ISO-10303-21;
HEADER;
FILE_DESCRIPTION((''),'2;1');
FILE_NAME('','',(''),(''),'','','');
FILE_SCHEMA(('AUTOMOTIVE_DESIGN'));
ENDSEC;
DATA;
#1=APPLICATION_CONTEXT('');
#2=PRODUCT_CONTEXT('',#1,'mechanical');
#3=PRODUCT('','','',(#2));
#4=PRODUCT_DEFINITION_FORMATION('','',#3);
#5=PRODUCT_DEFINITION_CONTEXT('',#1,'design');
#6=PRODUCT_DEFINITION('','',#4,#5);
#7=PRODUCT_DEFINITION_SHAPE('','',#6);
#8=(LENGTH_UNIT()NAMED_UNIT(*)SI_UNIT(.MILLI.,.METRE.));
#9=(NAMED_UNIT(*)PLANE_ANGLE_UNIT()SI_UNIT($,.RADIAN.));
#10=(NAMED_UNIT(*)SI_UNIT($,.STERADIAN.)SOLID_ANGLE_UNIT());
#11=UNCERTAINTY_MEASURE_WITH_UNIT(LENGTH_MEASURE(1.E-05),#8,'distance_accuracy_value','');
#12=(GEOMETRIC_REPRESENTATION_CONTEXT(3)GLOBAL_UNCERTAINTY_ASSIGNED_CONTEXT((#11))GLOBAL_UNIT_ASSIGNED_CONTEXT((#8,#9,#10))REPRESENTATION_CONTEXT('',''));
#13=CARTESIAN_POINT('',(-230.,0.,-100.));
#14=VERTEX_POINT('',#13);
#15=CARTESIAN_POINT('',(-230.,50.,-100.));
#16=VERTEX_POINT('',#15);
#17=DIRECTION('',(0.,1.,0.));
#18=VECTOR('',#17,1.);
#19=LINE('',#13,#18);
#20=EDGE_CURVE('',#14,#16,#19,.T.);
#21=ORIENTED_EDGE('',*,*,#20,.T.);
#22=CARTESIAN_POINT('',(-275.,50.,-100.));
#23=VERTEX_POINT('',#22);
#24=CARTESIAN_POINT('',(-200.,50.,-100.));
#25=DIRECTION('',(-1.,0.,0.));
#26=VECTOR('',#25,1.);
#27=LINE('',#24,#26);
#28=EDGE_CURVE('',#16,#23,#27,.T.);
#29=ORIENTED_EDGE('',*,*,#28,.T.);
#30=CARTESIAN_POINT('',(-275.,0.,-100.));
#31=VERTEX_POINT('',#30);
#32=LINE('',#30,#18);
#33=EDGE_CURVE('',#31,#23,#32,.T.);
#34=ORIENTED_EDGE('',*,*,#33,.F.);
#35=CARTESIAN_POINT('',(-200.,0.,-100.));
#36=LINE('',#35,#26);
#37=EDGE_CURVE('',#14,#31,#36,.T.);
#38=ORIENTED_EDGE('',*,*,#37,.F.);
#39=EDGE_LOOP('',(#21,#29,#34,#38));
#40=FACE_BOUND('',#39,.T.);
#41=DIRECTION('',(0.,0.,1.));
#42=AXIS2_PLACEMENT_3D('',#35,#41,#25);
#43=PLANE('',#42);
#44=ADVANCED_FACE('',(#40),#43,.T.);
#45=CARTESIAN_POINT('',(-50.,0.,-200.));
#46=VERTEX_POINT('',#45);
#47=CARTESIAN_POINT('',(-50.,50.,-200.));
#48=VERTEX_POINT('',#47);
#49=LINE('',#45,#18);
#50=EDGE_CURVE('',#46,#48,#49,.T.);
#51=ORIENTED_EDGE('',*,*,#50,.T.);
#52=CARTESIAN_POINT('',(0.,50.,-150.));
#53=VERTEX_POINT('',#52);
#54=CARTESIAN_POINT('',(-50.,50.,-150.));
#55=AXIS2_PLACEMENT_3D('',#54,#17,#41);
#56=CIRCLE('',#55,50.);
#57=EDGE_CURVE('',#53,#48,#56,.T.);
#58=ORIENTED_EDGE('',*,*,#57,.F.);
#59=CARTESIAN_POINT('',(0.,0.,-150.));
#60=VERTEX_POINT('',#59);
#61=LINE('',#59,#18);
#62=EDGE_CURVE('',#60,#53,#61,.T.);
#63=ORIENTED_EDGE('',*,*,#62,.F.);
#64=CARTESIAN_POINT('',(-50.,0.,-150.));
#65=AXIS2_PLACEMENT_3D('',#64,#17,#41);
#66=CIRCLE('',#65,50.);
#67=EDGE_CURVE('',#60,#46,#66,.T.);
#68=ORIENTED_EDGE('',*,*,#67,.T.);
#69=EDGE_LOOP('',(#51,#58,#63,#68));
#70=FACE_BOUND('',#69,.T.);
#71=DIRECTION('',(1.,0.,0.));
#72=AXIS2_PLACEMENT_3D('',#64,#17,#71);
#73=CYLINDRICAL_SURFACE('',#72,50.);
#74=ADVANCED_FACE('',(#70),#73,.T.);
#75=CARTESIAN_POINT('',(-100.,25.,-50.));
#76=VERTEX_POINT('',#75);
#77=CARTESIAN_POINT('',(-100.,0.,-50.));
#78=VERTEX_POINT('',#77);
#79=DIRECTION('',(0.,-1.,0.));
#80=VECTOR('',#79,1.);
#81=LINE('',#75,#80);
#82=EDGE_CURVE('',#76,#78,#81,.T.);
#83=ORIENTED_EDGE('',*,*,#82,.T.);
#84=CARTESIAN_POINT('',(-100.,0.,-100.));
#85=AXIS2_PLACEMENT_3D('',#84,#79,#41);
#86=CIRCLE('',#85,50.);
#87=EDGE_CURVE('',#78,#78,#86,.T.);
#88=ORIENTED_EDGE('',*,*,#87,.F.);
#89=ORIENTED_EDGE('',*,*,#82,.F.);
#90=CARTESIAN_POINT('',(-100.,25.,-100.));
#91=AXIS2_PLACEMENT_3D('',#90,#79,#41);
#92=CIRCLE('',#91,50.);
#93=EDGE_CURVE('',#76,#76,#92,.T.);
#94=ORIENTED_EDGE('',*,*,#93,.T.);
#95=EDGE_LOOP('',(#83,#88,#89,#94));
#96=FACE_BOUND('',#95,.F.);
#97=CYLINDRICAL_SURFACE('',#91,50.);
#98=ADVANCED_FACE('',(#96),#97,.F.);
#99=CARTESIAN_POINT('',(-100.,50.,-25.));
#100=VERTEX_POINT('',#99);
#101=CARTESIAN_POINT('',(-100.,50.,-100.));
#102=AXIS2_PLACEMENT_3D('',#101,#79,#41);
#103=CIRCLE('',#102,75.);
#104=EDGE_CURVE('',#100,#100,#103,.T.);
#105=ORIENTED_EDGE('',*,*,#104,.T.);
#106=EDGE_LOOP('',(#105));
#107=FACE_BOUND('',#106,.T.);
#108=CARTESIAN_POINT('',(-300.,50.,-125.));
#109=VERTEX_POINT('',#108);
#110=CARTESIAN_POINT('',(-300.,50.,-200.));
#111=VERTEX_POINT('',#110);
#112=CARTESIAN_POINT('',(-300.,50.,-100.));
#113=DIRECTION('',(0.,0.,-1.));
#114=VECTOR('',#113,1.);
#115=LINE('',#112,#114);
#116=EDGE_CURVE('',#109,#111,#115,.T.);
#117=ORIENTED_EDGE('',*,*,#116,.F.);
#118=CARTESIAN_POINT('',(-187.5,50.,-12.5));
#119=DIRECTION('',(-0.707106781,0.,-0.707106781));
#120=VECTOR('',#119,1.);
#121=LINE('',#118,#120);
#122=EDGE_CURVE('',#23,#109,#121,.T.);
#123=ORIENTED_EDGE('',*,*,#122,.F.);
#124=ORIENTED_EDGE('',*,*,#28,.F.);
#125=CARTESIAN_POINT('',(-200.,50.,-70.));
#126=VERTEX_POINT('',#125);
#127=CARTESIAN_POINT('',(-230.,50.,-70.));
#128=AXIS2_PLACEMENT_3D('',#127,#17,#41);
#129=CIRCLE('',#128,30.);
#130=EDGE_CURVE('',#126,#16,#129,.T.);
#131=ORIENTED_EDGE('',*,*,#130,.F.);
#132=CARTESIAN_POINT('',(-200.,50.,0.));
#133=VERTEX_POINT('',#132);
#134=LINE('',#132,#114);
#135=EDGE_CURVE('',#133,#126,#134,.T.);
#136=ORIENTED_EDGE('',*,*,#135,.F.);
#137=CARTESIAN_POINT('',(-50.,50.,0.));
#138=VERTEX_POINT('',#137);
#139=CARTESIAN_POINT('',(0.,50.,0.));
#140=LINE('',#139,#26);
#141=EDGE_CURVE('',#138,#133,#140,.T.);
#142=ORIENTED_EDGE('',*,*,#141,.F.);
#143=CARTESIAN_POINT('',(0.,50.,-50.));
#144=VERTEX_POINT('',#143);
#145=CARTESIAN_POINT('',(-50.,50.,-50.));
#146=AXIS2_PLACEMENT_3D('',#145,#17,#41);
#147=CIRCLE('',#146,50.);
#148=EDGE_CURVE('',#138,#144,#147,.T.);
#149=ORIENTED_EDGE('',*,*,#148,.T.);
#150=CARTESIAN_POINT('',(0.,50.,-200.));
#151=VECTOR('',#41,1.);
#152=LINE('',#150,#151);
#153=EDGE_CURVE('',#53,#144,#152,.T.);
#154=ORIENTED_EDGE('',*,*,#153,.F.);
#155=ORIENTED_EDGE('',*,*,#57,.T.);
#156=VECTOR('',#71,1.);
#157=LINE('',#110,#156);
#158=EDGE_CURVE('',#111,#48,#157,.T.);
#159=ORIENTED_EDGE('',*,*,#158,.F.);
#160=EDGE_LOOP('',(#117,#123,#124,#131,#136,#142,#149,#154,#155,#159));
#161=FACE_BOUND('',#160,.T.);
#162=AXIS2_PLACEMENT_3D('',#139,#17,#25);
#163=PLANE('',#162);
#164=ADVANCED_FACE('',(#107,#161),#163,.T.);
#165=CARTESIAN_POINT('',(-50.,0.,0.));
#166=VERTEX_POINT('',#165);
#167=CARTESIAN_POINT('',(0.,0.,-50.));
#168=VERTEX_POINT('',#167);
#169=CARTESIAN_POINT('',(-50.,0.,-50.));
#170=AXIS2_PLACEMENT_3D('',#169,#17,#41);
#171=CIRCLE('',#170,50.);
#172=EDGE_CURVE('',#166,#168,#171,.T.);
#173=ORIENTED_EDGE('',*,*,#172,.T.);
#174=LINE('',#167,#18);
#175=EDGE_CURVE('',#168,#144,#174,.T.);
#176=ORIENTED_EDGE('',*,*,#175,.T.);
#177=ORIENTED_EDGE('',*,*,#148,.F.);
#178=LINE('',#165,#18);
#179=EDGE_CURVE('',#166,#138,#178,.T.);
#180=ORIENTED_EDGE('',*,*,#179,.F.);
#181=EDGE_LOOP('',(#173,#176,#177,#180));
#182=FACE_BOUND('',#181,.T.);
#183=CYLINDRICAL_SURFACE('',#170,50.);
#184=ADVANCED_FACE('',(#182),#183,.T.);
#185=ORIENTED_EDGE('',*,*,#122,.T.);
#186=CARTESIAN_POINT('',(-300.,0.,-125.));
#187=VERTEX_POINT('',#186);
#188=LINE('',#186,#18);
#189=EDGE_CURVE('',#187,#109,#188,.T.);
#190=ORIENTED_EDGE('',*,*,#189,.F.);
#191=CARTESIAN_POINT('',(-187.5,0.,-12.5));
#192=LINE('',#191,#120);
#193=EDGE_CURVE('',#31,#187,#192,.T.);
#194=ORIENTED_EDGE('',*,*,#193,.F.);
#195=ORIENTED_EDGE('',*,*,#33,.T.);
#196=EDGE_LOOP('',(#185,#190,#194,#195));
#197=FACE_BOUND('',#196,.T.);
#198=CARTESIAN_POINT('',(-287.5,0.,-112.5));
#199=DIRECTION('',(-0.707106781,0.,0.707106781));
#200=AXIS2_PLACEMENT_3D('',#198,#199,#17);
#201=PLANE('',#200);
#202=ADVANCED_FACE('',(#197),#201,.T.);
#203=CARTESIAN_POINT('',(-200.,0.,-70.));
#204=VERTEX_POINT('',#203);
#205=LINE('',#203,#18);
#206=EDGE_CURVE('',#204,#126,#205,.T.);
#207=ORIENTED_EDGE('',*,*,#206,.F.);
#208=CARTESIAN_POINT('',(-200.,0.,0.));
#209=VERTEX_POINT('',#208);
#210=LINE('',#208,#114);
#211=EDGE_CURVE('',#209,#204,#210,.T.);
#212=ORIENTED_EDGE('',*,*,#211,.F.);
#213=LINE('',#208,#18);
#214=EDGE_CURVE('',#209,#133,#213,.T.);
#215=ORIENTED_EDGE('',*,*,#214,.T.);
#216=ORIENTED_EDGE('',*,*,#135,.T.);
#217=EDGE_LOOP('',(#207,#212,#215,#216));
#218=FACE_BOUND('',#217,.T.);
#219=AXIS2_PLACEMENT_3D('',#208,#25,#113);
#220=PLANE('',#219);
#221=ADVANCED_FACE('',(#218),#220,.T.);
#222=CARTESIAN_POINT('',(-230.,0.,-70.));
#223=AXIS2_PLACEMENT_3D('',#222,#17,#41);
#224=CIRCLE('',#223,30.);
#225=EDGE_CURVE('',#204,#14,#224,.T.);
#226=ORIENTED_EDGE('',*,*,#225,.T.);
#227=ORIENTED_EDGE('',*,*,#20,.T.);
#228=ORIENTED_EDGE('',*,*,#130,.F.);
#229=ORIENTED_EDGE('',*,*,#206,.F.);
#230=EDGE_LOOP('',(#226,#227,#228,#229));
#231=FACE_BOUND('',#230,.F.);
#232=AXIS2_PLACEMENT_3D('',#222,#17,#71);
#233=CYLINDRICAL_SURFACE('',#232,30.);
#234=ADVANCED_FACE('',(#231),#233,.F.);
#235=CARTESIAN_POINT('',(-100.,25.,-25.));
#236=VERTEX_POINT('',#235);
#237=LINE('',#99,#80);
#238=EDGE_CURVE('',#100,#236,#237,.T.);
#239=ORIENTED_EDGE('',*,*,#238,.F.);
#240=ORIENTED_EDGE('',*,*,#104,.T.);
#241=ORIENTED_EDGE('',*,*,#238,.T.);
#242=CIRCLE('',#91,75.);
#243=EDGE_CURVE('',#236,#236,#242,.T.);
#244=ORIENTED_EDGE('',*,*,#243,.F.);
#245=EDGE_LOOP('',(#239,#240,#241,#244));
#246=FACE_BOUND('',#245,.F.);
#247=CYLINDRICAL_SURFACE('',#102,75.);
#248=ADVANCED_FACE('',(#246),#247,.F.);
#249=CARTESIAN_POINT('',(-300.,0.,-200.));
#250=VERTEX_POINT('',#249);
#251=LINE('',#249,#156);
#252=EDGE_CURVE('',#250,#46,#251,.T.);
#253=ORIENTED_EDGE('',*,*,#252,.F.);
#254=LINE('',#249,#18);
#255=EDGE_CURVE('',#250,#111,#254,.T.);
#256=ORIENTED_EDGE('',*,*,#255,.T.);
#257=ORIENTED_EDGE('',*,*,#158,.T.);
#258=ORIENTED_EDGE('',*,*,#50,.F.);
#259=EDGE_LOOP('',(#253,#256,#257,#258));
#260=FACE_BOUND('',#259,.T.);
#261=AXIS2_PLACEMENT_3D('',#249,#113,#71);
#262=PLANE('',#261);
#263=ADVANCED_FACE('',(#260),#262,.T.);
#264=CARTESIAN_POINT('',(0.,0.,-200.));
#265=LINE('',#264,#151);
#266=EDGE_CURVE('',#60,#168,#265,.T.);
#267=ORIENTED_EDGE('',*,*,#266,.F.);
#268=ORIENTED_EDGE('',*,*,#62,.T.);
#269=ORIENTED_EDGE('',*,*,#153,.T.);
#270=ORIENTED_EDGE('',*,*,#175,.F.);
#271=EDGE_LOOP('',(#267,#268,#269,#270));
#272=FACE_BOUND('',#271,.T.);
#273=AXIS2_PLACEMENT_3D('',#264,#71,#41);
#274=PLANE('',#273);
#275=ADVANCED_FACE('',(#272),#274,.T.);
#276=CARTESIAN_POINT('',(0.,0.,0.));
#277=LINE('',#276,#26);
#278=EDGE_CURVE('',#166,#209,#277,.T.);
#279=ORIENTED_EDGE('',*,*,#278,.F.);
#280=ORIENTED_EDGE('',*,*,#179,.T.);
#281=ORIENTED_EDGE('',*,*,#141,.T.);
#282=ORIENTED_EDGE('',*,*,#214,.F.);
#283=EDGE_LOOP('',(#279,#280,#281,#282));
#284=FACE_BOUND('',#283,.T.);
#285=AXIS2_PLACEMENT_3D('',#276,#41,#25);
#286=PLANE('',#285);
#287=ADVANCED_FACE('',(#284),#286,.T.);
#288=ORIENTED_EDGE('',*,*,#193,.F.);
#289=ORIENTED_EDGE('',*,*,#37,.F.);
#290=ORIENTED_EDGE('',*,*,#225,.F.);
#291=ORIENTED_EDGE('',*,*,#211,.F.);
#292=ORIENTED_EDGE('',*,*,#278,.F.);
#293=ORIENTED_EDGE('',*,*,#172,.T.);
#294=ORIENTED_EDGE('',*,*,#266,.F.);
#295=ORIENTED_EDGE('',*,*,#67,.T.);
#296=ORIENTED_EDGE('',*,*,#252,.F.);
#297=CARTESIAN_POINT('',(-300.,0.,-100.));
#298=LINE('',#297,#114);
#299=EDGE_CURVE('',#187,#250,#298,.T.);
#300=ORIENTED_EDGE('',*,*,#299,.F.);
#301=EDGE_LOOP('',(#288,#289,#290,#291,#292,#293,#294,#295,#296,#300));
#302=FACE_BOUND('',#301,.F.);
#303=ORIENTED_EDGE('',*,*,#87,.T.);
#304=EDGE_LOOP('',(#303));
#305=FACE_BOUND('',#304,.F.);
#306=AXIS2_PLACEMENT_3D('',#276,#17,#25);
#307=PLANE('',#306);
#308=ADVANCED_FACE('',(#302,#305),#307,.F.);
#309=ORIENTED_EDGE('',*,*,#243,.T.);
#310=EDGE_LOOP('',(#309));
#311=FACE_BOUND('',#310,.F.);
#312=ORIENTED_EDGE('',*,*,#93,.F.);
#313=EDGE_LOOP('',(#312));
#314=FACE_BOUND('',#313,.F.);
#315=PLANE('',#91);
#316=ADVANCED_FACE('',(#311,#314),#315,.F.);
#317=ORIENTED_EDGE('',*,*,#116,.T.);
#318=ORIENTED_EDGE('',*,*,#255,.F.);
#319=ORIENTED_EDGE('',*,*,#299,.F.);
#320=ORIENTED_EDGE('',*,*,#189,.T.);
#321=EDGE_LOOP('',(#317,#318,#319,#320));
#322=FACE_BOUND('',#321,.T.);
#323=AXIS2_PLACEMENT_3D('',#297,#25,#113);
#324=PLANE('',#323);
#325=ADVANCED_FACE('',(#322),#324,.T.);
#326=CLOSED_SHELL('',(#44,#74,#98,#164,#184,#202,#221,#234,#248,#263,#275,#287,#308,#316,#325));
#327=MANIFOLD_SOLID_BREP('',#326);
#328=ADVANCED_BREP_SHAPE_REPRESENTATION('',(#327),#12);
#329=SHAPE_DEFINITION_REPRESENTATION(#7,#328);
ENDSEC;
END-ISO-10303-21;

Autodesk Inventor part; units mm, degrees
ref_plane "YZ Plane" through (0, 0, 0) normal (1, 0, 0) x (0, 1, 0)
ref_plane "XZ Plane" through (0, 0, 0) normal (0, 1, 0) x (-1, 0, 0)
ref_plane "XY Plane" through (0, 0, 0) normal (0, 0, 1) x (1, 0, 0)
sketch "Esboço1" plane through (0, 0, 0) normal (0, 1, 0) x (-1, 0, 0)
  line L0 (0, 0) -> (200, 0)
  line L1 (200, 0) -> (200, -100)
  line L2 (200, -100) -> (300, -100)
  line L3 (300, -100) -> (300, -200)
  line L4 (300, -200) -> (0, -200)
  line L5 (0, -200) -> (0, 0)
  dimension "d0" = 200
  dimension "d1" = 300
  dimension "d3" = 200
  dimension "d4" = 100
extrude "Extrusão1" add sketch "Esboço1" along normal blind 50
sketch "Esboço2" plane through (0, 50, 0) normal (0, 1, 0) x (1, 0, 0)
  line L0 (0, 0) -> (0, 200) projected
  line L1 (0, 200) -> (-300, 200) projected
  point P0 (-100, 100)
  dimension "d7" = 100
  dimension "d15" = 100
hole "Furo1" at (-100, 50, -100) direction (0, -1, 0) diameter 100 end through all counterbore diameter 150 counterbore depth 25
fillet "Arredondamento1" radius 50 2 edges at (0, 25, 0) (0, 25, -200)
fillet "Arredondamento2" radius 30 1 edges at (-200, 25, -100)
chamfer "Chanfro1" distance 25 angle 45 1 edges at (-300, 25, -100) measured on face at (-276.6667, 16.6667, -100)
equation "\"d7\" = 0.5 * d3"
equation "\"d15\" = 0.5 * d0"
equation "\"d16\" = 0.25 * d3"
